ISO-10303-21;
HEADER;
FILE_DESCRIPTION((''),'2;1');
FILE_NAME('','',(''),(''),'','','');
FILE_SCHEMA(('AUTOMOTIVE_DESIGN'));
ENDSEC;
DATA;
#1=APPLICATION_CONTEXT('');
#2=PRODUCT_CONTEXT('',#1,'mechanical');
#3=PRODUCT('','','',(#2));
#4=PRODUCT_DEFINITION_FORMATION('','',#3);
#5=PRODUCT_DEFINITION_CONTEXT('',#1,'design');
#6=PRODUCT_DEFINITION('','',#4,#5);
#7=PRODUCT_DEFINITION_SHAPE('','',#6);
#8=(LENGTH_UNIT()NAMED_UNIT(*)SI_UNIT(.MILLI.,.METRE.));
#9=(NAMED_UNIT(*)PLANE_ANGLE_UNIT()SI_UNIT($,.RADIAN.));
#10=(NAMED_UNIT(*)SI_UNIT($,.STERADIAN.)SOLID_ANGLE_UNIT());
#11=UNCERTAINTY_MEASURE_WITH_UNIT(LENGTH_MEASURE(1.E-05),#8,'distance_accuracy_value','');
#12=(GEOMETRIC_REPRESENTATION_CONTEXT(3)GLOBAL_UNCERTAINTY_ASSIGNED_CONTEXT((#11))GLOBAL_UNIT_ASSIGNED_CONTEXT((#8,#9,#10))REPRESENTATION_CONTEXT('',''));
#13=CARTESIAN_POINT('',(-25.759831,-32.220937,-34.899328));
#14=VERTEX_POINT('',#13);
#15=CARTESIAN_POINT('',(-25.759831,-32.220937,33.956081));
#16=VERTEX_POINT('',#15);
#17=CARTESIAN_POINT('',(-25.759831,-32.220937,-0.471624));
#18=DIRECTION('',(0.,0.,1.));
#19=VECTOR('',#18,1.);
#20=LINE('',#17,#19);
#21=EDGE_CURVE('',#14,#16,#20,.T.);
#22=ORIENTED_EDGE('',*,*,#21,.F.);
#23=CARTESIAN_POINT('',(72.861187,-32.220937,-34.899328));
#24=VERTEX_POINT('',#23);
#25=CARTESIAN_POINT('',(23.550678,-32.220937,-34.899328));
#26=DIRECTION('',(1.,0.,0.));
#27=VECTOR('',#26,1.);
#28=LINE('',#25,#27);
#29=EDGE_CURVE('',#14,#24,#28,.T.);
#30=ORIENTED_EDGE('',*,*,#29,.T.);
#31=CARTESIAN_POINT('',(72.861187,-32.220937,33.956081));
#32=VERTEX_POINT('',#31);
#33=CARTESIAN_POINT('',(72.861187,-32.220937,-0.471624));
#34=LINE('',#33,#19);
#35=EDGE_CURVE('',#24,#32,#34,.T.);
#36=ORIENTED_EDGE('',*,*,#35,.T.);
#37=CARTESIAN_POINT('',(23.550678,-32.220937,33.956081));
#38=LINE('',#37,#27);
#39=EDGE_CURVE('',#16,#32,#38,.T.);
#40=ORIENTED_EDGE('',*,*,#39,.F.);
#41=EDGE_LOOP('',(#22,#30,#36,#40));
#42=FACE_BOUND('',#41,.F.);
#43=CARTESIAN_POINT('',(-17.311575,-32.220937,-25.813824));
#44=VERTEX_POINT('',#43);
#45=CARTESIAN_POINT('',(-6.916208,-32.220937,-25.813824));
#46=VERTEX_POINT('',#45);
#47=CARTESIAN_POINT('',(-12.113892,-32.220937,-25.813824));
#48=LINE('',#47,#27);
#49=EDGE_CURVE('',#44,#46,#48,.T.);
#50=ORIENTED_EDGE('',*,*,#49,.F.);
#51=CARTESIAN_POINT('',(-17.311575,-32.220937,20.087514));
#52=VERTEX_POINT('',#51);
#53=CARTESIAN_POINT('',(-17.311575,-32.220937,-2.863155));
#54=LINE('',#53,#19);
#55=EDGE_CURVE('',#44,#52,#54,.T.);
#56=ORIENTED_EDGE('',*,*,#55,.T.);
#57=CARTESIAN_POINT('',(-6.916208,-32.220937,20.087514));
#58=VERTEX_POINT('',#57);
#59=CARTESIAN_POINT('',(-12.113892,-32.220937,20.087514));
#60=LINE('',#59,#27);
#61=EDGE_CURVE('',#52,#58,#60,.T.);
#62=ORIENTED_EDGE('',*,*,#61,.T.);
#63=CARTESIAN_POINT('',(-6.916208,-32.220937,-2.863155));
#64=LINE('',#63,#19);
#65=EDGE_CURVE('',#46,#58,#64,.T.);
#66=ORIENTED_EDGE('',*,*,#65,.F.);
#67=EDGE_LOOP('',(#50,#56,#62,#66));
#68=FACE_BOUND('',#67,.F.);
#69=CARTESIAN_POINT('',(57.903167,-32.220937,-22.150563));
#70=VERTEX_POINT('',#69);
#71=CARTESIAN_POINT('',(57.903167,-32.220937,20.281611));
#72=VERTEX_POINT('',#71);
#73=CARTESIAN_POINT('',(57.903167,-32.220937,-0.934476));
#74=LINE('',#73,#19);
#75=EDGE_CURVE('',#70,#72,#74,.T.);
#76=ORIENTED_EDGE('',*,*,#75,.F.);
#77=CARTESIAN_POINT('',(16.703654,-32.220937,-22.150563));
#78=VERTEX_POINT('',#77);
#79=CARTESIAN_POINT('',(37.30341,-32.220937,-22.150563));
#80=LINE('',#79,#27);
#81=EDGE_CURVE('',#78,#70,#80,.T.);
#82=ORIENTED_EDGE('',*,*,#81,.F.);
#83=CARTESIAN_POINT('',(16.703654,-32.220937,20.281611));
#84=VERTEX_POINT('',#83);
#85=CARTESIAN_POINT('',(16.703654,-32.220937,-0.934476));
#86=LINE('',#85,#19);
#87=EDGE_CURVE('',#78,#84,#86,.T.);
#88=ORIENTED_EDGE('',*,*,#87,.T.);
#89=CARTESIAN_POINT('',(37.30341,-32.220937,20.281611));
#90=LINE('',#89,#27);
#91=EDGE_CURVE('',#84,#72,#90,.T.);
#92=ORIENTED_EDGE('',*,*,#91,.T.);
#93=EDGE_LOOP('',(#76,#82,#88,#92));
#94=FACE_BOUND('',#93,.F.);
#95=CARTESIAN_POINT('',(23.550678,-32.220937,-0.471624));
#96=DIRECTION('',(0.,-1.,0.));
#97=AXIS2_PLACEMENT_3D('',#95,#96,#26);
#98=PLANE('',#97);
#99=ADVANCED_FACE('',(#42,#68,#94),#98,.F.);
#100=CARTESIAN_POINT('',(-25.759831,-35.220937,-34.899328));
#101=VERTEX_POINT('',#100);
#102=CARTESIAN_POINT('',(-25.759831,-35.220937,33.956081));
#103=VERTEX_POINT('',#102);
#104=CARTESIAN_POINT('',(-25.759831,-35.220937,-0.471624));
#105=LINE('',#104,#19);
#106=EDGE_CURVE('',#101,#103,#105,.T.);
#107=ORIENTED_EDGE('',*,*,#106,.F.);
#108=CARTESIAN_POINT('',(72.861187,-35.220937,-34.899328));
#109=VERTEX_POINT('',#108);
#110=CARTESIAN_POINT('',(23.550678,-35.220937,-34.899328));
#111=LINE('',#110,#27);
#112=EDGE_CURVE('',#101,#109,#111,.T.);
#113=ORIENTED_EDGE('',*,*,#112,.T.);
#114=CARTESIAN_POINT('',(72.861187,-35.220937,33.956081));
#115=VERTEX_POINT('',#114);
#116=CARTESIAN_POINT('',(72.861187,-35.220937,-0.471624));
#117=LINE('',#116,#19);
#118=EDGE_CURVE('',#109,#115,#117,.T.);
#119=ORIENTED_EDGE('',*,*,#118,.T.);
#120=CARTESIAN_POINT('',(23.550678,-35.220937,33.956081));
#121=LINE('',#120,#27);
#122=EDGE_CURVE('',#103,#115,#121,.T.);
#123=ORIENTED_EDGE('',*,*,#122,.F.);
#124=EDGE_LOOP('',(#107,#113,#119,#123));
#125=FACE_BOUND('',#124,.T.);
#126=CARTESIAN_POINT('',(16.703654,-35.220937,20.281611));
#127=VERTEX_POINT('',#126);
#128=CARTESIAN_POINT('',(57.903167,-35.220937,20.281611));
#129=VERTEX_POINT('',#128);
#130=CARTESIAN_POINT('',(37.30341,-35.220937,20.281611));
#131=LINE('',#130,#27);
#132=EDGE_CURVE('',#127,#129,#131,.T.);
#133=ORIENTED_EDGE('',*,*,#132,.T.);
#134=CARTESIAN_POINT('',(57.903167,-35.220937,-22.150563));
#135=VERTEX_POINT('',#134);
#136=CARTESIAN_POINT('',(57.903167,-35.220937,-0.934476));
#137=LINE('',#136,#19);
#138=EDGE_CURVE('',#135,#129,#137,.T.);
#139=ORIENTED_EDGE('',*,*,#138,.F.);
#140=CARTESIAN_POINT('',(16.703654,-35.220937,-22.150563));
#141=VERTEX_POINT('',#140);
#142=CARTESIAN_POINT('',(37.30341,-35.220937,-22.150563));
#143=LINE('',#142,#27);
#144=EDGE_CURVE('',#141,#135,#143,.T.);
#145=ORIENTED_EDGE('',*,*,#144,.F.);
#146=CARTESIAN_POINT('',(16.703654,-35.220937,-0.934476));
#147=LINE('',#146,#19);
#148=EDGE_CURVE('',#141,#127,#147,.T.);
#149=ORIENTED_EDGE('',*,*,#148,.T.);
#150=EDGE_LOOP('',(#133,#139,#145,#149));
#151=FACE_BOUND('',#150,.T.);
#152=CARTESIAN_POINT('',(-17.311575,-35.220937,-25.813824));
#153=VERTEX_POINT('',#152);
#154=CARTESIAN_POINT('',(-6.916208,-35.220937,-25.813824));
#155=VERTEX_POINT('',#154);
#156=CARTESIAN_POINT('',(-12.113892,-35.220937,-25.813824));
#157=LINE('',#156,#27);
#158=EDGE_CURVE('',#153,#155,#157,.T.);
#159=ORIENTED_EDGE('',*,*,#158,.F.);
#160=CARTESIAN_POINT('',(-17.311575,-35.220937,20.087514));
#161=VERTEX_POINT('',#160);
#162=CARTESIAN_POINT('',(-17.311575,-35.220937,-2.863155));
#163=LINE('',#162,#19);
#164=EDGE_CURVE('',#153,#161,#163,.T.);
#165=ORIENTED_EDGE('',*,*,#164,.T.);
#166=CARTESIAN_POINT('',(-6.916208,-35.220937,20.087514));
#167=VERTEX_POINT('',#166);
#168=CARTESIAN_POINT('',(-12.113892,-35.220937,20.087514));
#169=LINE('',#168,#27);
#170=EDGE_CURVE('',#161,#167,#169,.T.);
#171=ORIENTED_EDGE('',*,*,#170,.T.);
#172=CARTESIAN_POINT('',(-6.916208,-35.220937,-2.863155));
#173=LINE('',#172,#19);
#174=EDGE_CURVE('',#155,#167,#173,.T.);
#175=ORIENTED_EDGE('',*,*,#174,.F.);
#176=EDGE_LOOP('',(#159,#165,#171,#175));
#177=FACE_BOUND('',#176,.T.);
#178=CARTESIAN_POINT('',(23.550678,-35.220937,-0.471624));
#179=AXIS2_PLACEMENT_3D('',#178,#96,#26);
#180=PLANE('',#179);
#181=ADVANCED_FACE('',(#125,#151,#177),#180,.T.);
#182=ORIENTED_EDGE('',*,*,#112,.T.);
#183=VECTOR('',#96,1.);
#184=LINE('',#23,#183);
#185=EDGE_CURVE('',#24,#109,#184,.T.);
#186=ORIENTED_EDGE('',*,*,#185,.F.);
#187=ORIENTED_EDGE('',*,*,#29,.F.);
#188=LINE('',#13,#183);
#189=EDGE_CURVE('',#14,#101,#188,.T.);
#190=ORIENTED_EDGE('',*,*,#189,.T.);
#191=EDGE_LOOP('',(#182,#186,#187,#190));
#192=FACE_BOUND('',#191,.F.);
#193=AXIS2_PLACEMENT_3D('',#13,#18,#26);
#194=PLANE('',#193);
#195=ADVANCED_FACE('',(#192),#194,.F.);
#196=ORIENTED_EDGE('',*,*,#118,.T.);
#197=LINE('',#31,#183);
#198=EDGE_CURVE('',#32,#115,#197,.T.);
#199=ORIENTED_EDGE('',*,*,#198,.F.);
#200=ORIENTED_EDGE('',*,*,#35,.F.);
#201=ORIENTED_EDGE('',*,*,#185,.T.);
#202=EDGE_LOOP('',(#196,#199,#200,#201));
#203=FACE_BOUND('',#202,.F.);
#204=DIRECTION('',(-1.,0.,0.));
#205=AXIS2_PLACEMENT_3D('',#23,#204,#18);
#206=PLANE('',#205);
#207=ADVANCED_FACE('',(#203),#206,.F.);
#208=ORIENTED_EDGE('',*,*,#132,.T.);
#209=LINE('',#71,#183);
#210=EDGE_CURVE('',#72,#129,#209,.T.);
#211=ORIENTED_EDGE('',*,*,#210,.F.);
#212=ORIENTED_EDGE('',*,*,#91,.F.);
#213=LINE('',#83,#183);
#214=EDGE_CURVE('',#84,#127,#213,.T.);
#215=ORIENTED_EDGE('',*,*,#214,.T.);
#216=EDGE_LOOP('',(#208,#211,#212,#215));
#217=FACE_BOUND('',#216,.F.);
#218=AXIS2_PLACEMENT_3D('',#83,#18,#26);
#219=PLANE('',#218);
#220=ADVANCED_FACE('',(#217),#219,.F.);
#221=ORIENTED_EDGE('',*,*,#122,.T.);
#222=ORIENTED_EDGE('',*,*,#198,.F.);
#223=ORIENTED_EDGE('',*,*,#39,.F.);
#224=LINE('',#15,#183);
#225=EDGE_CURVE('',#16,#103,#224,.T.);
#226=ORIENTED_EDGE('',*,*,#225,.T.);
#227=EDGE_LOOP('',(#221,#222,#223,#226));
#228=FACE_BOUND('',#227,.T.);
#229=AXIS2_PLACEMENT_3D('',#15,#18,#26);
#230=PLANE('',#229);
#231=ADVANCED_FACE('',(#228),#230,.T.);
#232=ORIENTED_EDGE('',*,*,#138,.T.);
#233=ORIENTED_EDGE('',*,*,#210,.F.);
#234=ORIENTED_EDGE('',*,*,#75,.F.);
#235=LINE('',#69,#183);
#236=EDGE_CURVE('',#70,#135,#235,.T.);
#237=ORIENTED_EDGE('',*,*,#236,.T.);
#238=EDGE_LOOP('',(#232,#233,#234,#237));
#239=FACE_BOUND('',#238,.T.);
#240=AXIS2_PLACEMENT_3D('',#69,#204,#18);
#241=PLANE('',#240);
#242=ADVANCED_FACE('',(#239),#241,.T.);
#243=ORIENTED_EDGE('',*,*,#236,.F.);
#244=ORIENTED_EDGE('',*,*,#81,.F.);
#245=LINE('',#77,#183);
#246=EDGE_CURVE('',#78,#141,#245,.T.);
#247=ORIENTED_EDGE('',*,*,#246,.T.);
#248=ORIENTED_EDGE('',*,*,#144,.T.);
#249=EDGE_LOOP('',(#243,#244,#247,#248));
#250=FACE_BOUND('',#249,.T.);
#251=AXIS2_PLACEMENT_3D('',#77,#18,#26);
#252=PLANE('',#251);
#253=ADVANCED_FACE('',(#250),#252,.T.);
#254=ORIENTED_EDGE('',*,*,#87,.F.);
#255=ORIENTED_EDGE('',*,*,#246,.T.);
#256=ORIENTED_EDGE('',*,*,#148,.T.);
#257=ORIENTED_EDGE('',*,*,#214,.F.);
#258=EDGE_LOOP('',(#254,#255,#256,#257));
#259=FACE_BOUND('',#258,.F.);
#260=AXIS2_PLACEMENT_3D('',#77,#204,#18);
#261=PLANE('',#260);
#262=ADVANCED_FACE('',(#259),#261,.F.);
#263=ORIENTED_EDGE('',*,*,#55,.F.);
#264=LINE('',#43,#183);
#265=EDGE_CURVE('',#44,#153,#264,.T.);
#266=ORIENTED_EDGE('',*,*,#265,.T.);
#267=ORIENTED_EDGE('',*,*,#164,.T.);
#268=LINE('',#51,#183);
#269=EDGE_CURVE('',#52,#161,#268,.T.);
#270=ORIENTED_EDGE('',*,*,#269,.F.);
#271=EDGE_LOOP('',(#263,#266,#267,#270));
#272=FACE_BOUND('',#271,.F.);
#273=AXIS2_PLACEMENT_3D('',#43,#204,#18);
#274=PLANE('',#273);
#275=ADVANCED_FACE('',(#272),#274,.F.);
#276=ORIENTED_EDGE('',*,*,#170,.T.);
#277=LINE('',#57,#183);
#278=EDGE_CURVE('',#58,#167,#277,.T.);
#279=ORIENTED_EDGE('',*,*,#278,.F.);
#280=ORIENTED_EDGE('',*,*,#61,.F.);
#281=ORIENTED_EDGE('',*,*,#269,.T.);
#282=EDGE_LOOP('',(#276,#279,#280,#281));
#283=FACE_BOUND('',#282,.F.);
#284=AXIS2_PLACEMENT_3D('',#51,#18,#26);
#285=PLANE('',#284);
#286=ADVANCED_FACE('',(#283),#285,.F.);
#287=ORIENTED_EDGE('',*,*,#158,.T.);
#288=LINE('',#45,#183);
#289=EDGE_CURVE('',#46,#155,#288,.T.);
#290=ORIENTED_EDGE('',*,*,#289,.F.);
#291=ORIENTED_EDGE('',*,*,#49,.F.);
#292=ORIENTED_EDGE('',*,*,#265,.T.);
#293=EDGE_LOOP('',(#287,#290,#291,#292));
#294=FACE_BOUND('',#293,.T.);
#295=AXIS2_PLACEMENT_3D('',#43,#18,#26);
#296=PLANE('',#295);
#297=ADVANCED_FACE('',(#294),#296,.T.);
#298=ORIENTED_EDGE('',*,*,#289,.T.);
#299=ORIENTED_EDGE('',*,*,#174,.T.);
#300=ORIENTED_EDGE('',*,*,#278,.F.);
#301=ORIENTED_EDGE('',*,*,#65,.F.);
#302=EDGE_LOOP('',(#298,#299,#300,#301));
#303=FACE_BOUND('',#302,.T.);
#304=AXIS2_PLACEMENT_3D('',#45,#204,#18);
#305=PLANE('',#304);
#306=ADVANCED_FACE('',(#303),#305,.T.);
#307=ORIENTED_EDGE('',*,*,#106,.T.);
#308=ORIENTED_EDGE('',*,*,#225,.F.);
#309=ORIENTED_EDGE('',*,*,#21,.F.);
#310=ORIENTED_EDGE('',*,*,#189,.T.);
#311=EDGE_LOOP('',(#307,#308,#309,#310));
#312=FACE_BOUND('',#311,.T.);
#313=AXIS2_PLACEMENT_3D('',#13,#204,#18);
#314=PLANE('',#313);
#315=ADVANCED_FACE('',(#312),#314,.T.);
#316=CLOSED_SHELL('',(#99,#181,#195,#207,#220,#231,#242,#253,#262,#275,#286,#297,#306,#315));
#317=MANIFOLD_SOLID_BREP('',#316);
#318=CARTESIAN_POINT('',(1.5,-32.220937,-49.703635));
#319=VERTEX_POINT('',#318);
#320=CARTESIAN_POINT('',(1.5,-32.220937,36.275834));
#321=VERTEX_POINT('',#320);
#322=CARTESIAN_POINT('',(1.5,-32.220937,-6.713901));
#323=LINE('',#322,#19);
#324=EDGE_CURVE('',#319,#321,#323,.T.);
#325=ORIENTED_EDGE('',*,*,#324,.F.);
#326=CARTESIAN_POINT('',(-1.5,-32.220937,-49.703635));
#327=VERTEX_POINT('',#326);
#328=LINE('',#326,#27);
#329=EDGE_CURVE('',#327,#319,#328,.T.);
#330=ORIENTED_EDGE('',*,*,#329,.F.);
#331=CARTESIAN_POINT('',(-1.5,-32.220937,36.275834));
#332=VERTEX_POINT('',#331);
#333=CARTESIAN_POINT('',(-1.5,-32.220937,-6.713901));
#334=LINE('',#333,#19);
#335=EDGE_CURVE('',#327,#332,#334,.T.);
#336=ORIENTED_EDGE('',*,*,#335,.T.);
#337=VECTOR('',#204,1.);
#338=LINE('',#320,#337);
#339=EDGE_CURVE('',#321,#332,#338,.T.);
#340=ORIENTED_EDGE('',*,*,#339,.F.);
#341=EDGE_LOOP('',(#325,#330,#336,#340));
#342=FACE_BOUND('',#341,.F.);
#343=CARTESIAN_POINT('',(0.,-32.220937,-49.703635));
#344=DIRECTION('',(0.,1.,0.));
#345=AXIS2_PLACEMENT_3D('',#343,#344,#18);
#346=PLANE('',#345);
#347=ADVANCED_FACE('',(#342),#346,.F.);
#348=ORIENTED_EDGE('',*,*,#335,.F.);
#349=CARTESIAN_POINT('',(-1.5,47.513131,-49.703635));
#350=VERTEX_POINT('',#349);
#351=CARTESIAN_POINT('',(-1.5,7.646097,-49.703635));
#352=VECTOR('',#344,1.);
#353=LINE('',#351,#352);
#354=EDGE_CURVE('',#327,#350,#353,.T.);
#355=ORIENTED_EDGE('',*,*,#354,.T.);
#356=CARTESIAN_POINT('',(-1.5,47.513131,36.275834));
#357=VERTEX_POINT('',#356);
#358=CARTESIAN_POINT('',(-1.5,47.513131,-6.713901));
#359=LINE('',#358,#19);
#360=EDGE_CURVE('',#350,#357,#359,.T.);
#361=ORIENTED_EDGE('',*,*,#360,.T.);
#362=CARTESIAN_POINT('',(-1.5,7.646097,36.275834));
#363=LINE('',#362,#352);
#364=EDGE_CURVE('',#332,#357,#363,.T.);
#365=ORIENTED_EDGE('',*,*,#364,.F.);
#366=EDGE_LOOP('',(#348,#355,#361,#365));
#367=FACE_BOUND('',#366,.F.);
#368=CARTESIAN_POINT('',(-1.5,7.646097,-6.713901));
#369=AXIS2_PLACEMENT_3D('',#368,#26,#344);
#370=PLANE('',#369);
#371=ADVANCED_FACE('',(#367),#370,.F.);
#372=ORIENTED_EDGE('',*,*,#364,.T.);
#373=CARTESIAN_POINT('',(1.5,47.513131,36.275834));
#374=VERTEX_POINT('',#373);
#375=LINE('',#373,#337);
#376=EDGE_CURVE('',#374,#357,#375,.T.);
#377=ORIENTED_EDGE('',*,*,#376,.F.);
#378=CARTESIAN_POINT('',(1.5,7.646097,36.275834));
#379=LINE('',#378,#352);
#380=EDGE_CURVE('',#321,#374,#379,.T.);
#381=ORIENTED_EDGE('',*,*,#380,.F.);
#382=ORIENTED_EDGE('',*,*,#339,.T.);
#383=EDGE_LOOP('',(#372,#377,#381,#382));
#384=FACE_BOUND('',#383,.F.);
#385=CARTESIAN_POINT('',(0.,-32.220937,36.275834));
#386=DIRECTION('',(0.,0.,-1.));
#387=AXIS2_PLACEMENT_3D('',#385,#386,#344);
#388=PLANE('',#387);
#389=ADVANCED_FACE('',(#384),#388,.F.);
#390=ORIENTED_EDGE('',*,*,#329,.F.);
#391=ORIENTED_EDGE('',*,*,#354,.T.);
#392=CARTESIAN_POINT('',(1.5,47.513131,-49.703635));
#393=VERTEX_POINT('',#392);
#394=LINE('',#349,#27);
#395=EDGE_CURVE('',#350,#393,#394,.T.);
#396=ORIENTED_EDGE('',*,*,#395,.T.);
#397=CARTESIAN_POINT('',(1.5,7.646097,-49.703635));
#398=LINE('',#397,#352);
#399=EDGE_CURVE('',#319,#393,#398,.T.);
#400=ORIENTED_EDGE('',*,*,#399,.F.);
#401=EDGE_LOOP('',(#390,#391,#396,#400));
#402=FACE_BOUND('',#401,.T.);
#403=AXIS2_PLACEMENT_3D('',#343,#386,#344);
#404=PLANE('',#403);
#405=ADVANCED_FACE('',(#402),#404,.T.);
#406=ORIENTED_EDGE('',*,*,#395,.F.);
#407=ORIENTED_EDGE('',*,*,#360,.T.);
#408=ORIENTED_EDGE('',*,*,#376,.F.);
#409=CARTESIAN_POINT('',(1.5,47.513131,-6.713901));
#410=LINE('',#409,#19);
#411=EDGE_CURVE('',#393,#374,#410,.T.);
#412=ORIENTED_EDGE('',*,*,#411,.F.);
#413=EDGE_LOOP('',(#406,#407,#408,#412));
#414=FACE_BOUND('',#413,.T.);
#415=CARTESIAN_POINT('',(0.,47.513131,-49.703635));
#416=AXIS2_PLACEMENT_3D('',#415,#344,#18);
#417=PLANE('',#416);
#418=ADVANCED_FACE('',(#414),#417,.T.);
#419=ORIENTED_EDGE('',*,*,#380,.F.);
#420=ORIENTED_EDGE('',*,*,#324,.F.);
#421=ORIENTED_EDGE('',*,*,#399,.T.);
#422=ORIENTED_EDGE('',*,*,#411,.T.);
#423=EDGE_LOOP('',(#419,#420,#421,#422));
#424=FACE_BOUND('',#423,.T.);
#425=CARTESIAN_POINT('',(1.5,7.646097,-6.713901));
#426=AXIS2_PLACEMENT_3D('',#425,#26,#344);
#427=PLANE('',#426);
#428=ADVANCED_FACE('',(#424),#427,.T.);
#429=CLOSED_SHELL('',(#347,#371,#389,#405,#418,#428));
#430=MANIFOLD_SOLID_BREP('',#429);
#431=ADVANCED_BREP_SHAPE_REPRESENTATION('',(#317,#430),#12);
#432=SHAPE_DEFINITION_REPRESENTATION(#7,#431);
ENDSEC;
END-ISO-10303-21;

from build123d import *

# Parameters (mm, degrees)
F0_W     = 79.7340683639
F0_H     = 85.9794691205
F1_DEPTH = 1.5
F2_W     = 98.6210182309
F2_H     = 68.8554085791
F2_W_2   = 10.3953666985
F2_H_2   = 45.9013376385
F2_W_3   = 41.1995127797
F2_H_3   = 42.4321740866
F3_DEPTH = 3


with BuildPart() as f1:
    # F0 (on Right) → F1 (new body, symmetric)
    with BuildSketch(Plane.YZ):
        with Locations((7.6460968703, -6.7139007151)):
            Rectangle(F0_W, F0_H)
    extrude(amount=F1_DEPTH, both=True)


with BuildPart() as f3:
    # F2 (on face) → F3 (new body)
    with BuildSketch(Plane.XZ.offset(32.2209373116)):
        with Locations((23.5506780446, -0.4716236144)):
            Rectangle(F2_W, F2_H)
        with Locations((-12.113891542, -2.8631547466)):
            Rectangle(F2_W_2, F2_H_2, mode=Mode.SUBTRACT)
        with Locations((37.3034104705, -0.9344760329)):
            Rectangle(F2_W_3, F2_H_3, mode=Mode.SUBTRACT)
    extrude(amount=F3_DEPTH)


solid = Compound([f1.part, f3.part])
